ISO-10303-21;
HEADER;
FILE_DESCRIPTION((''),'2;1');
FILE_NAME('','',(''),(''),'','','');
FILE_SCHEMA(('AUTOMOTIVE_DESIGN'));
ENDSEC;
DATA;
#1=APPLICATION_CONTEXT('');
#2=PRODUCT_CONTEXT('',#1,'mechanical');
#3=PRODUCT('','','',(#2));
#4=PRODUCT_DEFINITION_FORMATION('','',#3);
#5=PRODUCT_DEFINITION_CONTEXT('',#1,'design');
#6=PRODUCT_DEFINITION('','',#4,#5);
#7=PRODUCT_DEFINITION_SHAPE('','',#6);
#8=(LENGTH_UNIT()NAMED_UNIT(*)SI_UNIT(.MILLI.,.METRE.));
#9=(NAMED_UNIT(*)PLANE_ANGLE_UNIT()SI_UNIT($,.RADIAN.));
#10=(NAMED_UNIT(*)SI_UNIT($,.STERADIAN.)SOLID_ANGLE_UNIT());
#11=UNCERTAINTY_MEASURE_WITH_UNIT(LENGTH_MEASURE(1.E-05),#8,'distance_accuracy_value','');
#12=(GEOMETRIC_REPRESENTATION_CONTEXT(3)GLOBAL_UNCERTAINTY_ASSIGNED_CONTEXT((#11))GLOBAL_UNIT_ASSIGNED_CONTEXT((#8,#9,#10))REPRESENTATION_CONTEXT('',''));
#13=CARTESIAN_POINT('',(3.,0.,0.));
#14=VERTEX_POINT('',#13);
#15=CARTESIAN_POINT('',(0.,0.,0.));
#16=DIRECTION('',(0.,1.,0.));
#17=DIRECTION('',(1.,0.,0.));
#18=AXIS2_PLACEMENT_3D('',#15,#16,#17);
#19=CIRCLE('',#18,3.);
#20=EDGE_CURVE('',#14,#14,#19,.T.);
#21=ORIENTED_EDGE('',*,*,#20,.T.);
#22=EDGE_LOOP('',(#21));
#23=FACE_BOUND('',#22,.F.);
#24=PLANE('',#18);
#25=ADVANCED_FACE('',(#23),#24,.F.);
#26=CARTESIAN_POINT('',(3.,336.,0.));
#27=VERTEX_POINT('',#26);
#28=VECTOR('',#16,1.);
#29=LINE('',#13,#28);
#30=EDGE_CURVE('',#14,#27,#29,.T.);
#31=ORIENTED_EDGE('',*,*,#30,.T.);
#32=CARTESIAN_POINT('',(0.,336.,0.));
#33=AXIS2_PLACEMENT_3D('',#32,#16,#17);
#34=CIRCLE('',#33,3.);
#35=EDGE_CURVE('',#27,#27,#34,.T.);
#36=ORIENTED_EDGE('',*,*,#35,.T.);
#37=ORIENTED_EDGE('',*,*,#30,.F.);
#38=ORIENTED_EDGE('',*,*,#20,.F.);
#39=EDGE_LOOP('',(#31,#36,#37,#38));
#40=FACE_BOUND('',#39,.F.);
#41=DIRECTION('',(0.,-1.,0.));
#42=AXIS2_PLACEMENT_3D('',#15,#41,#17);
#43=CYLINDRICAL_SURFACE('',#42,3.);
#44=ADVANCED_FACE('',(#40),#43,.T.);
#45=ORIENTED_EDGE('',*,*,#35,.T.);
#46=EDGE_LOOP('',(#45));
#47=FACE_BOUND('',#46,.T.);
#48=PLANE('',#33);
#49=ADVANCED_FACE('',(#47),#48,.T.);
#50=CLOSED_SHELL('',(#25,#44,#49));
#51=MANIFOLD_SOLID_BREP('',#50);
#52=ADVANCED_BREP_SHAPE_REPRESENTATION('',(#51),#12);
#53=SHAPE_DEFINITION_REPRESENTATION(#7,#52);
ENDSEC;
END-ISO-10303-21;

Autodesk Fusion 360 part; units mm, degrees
sketch "Sketch1" plane through (0, 0, 0) normal (0, 1, 0) x (1, 0, 0)
  circle A0 centre (0, 0) radius 3
  dimension "d1" = 6
extrude "Extrude1" add sketch "Sketch1" along normal blind 336
